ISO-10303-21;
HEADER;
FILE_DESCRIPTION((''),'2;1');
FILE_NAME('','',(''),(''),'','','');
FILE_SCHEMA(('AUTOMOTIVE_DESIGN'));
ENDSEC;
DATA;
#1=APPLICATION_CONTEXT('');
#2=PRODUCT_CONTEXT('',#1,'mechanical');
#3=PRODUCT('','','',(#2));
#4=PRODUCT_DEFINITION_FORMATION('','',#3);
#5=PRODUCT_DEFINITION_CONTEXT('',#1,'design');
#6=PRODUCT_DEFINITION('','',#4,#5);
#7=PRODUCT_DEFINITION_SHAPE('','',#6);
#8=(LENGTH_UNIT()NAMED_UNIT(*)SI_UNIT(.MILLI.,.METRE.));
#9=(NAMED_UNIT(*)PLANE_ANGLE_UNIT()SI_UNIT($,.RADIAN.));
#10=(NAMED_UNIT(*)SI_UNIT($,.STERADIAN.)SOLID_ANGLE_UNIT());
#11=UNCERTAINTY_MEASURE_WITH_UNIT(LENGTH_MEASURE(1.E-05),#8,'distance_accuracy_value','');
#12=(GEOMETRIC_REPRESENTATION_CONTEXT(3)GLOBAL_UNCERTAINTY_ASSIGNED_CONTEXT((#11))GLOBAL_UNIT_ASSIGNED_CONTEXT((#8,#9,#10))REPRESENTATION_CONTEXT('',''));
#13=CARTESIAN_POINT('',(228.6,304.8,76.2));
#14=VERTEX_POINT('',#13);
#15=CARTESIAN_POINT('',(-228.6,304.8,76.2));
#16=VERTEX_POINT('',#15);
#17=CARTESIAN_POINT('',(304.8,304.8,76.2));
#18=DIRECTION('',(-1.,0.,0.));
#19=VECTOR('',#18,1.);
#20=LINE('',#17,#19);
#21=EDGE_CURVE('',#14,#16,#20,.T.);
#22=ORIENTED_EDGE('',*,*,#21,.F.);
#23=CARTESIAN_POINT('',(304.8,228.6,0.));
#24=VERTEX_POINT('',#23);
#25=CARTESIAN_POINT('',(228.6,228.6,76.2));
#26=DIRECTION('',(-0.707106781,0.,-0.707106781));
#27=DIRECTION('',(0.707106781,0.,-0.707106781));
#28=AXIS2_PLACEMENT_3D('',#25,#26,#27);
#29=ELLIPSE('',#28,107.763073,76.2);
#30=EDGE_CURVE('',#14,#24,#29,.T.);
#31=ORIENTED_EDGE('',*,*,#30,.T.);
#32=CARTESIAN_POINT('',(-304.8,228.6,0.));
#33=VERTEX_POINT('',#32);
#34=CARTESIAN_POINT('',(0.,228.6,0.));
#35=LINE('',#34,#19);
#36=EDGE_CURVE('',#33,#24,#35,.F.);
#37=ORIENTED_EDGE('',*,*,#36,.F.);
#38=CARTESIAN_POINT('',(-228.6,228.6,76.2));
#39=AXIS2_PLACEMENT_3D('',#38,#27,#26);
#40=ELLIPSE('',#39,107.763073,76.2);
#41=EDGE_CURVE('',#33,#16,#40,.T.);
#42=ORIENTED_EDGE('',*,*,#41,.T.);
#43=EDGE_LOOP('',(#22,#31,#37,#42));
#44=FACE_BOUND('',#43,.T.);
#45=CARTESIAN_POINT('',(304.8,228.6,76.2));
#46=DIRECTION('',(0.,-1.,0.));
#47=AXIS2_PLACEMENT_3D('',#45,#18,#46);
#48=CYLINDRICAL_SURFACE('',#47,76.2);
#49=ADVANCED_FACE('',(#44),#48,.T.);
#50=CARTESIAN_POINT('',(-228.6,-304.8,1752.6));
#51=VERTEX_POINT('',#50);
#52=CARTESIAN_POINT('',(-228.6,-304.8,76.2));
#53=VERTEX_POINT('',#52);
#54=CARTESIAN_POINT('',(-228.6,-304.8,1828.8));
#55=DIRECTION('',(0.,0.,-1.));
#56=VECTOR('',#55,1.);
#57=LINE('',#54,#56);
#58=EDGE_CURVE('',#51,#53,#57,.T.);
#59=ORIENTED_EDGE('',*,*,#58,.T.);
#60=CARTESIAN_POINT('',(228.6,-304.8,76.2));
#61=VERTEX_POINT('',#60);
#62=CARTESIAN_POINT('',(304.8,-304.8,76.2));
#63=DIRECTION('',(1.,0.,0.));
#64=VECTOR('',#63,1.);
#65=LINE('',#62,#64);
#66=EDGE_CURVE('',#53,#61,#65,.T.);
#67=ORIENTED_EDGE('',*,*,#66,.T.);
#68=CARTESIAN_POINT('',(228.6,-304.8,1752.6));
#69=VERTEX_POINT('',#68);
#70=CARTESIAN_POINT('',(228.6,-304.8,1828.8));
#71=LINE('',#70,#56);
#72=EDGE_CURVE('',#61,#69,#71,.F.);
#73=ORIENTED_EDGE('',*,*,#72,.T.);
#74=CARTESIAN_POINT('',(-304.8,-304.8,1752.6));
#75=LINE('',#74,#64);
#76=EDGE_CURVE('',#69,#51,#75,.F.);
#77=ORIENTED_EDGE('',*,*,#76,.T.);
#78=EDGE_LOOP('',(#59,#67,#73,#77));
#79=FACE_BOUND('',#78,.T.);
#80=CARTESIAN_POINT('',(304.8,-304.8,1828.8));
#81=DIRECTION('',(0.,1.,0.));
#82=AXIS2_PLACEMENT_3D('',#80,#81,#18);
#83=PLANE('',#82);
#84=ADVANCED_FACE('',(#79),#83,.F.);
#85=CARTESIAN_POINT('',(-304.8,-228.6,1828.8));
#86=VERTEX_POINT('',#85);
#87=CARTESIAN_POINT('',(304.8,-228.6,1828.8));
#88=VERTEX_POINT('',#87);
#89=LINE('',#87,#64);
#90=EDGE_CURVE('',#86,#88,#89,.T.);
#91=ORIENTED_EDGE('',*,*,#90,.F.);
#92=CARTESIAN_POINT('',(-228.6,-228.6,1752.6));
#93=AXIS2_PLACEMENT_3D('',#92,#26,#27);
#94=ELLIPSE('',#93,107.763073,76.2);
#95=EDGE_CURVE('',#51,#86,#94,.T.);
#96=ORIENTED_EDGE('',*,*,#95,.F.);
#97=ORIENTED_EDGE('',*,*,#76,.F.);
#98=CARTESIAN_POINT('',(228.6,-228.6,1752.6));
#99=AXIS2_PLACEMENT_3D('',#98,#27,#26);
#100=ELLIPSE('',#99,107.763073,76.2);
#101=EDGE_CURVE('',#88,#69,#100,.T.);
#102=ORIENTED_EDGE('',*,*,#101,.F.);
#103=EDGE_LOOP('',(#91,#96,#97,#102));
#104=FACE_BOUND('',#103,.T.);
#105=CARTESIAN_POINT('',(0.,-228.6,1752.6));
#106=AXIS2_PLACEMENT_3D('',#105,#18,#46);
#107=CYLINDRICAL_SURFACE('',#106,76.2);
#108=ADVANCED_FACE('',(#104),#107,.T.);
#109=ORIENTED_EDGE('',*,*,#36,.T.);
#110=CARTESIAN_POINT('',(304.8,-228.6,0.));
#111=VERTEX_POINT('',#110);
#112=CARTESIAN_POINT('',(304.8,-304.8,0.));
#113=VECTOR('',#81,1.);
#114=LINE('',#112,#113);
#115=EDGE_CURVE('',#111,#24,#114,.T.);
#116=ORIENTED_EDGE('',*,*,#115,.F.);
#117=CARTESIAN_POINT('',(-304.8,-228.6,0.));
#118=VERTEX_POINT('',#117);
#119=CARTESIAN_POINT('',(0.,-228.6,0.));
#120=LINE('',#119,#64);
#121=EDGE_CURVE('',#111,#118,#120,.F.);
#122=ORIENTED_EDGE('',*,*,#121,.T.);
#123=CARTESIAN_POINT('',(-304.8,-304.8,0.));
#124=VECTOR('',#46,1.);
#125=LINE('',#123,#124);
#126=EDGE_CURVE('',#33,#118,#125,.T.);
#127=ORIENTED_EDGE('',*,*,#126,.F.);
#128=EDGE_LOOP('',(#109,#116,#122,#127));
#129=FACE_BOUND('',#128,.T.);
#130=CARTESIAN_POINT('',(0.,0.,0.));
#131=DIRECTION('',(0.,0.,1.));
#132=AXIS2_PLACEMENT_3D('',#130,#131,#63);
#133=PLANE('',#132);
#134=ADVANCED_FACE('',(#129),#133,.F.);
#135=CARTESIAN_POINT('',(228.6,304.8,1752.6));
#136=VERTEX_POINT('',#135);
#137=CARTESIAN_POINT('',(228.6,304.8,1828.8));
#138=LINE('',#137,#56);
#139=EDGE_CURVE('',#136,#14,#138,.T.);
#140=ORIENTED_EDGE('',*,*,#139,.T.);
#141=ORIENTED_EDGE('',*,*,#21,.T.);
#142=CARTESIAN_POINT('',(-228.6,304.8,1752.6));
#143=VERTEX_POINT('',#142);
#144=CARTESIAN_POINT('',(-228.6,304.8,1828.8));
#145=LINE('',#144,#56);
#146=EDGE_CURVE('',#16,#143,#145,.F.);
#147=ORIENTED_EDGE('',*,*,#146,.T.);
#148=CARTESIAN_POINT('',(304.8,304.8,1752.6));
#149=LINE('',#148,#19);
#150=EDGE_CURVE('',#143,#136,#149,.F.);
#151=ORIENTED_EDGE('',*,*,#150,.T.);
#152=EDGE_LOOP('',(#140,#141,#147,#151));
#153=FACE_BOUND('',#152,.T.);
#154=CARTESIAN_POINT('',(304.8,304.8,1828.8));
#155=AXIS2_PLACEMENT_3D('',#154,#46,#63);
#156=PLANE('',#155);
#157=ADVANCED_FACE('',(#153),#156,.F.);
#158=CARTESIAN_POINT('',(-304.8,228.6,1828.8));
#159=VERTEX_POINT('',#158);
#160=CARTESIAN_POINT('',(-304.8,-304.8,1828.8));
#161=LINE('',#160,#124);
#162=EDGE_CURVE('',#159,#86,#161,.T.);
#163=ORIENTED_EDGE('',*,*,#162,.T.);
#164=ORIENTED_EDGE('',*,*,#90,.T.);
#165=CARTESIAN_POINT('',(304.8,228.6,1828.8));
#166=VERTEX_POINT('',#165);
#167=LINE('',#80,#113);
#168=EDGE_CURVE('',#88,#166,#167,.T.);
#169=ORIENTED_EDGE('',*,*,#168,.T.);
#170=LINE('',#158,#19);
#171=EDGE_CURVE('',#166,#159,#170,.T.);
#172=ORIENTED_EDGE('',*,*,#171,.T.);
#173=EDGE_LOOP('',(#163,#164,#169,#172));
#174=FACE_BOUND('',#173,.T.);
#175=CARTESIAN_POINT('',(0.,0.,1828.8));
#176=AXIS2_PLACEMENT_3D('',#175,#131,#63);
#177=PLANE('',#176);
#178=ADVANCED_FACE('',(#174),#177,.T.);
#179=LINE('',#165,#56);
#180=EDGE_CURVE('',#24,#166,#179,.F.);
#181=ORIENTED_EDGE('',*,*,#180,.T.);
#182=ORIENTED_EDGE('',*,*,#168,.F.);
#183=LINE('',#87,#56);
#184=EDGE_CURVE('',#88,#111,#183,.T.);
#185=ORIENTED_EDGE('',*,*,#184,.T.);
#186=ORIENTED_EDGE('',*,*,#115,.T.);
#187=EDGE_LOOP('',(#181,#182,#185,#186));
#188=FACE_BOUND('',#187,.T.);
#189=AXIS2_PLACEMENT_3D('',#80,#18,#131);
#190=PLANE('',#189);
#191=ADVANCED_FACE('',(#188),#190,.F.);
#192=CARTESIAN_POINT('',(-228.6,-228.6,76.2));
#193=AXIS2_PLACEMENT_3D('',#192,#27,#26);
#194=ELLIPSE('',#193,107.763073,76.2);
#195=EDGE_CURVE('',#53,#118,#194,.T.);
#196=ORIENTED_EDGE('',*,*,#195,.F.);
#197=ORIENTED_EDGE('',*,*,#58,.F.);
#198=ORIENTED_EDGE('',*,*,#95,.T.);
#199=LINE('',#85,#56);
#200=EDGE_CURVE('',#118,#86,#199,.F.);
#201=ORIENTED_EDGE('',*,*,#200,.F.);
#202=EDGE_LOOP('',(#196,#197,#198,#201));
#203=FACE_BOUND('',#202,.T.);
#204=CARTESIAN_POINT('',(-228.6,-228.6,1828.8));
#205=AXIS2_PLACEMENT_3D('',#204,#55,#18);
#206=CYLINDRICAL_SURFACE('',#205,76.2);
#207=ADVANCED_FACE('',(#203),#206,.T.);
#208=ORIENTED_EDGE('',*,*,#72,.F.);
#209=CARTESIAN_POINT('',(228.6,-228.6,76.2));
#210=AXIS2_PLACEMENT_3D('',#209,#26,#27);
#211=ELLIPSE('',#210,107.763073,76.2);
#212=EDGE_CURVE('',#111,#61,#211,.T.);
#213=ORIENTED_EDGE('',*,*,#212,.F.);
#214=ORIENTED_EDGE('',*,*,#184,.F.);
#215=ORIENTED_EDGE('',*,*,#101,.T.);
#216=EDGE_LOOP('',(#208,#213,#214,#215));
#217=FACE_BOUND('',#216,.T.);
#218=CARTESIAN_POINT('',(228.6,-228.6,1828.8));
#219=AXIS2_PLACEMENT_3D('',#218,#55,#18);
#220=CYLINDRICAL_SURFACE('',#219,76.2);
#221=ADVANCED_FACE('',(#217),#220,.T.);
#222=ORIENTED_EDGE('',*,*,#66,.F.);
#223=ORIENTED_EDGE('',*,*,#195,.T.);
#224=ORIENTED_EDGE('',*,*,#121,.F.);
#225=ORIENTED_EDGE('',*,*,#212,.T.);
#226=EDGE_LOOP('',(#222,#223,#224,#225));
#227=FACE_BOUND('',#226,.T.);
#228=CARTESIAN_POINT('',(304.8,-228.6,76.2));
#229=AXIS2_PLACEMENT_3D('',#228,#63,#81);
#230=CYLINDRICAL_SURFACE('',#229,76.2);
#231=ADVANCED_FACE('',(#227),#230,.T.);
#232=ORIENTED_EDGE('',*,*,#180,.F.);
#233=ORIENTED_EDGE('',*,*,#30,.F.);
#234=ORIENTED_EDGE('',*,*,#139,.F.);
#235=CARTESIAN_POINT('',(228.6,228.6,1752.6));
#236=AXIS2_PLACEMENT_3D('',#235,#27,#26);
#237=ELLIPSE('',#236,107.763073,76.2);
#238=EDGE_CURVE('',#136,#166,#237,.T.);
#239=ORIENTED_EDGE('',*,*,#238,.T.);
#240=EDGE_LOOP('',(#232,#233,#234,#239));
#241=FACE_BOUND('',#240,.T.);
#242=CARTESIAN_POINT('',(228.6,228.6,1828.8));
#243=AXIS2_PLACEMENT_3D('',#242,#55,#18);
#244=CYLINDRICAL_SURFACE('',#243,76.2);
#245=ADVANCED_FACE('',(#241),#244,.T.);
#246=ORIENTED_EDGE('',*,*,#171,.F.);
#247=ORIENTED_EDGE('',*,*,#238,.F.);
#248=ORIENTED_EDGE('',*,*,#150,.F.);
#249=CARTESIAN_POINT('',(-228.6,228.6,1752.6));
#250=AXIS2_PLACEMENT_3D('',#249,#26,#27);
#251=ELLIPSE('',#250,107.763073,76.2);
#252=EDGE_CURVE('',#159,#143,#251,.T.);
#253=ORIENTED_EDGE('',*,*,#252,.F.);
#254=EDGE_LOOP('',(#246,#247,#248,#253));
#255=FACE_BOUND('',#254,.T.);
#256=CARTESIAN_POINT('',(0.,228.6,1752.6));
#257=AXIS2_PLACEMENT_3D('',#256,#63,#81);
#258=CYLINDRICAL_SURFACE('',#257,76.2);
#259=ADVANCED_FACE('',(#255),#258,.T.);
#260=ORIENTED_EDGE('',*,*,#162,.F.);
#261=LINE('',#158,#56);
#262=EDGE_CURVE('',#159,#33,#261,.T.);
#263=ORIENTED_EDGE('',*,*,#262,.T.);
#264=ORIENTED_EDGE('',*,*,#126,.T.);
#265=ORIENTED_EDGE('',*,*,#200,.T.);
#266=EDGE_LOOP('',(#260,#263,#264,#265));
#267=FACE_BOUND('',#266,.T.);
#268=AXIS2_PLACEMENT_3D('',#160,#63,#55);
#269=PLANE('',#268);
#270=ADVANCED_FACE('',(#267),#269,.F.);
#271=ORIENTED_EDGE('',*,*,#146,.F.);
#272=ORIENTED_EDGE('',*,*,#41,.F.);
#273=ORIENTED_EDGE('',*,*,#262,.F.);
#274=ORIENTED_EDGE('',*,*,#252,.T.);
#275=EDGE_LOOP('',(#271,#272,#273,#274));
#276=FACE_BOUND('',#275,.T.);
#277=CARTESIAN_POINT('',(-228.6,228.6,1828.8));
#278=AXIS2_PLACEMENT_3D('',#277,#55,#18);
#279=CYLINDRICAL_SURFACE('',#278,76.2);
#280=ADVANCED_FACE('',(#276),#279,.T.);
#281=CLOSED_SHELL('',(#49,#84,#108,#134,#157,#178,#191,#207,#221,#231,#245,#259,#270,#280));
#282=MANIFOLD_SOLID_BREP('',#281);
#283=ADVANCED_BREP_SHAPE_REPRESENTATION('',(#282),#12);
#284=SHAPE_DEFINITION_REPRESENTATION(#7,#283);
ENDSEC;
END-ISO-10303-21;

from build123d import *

# Parameters (mm, degrees)
SKETCH1_W           = 609.6
SKETCH1_H           = 609.6
BOSS_EXTRUDE1_DEPTH = 1828.8
FILLET1_R           = 76.2


with BuildPart() as part:
    # Sketch1 → Boss-Extrude1 (new body)
    with BuildSketch(Plane.XY):
        Rectangle(SKETCH1_W, SKETCH1_H)
    extrude(amount=BOSS_EXTRUDE1_DEPTH)

    # Fillet1
    fillet1_edges = [part.edges().sort_by_distance(p)[0] for p in [
        (0, 304.8, 1828.8),
        (0, 304.8, 0),
        (0, -304.8, 0),
        (-304.8, 304.8, 914.4),
        (304.8, 304.8, 914.4),
        (304.8, -304.8, 914.4),
        (-304.8, -304.8, 914.4),
        (0, -304.8, 1828.8),
    ]]
    fillet(fillet1_edges, radius=FILLET1_R)


solid = part.part
